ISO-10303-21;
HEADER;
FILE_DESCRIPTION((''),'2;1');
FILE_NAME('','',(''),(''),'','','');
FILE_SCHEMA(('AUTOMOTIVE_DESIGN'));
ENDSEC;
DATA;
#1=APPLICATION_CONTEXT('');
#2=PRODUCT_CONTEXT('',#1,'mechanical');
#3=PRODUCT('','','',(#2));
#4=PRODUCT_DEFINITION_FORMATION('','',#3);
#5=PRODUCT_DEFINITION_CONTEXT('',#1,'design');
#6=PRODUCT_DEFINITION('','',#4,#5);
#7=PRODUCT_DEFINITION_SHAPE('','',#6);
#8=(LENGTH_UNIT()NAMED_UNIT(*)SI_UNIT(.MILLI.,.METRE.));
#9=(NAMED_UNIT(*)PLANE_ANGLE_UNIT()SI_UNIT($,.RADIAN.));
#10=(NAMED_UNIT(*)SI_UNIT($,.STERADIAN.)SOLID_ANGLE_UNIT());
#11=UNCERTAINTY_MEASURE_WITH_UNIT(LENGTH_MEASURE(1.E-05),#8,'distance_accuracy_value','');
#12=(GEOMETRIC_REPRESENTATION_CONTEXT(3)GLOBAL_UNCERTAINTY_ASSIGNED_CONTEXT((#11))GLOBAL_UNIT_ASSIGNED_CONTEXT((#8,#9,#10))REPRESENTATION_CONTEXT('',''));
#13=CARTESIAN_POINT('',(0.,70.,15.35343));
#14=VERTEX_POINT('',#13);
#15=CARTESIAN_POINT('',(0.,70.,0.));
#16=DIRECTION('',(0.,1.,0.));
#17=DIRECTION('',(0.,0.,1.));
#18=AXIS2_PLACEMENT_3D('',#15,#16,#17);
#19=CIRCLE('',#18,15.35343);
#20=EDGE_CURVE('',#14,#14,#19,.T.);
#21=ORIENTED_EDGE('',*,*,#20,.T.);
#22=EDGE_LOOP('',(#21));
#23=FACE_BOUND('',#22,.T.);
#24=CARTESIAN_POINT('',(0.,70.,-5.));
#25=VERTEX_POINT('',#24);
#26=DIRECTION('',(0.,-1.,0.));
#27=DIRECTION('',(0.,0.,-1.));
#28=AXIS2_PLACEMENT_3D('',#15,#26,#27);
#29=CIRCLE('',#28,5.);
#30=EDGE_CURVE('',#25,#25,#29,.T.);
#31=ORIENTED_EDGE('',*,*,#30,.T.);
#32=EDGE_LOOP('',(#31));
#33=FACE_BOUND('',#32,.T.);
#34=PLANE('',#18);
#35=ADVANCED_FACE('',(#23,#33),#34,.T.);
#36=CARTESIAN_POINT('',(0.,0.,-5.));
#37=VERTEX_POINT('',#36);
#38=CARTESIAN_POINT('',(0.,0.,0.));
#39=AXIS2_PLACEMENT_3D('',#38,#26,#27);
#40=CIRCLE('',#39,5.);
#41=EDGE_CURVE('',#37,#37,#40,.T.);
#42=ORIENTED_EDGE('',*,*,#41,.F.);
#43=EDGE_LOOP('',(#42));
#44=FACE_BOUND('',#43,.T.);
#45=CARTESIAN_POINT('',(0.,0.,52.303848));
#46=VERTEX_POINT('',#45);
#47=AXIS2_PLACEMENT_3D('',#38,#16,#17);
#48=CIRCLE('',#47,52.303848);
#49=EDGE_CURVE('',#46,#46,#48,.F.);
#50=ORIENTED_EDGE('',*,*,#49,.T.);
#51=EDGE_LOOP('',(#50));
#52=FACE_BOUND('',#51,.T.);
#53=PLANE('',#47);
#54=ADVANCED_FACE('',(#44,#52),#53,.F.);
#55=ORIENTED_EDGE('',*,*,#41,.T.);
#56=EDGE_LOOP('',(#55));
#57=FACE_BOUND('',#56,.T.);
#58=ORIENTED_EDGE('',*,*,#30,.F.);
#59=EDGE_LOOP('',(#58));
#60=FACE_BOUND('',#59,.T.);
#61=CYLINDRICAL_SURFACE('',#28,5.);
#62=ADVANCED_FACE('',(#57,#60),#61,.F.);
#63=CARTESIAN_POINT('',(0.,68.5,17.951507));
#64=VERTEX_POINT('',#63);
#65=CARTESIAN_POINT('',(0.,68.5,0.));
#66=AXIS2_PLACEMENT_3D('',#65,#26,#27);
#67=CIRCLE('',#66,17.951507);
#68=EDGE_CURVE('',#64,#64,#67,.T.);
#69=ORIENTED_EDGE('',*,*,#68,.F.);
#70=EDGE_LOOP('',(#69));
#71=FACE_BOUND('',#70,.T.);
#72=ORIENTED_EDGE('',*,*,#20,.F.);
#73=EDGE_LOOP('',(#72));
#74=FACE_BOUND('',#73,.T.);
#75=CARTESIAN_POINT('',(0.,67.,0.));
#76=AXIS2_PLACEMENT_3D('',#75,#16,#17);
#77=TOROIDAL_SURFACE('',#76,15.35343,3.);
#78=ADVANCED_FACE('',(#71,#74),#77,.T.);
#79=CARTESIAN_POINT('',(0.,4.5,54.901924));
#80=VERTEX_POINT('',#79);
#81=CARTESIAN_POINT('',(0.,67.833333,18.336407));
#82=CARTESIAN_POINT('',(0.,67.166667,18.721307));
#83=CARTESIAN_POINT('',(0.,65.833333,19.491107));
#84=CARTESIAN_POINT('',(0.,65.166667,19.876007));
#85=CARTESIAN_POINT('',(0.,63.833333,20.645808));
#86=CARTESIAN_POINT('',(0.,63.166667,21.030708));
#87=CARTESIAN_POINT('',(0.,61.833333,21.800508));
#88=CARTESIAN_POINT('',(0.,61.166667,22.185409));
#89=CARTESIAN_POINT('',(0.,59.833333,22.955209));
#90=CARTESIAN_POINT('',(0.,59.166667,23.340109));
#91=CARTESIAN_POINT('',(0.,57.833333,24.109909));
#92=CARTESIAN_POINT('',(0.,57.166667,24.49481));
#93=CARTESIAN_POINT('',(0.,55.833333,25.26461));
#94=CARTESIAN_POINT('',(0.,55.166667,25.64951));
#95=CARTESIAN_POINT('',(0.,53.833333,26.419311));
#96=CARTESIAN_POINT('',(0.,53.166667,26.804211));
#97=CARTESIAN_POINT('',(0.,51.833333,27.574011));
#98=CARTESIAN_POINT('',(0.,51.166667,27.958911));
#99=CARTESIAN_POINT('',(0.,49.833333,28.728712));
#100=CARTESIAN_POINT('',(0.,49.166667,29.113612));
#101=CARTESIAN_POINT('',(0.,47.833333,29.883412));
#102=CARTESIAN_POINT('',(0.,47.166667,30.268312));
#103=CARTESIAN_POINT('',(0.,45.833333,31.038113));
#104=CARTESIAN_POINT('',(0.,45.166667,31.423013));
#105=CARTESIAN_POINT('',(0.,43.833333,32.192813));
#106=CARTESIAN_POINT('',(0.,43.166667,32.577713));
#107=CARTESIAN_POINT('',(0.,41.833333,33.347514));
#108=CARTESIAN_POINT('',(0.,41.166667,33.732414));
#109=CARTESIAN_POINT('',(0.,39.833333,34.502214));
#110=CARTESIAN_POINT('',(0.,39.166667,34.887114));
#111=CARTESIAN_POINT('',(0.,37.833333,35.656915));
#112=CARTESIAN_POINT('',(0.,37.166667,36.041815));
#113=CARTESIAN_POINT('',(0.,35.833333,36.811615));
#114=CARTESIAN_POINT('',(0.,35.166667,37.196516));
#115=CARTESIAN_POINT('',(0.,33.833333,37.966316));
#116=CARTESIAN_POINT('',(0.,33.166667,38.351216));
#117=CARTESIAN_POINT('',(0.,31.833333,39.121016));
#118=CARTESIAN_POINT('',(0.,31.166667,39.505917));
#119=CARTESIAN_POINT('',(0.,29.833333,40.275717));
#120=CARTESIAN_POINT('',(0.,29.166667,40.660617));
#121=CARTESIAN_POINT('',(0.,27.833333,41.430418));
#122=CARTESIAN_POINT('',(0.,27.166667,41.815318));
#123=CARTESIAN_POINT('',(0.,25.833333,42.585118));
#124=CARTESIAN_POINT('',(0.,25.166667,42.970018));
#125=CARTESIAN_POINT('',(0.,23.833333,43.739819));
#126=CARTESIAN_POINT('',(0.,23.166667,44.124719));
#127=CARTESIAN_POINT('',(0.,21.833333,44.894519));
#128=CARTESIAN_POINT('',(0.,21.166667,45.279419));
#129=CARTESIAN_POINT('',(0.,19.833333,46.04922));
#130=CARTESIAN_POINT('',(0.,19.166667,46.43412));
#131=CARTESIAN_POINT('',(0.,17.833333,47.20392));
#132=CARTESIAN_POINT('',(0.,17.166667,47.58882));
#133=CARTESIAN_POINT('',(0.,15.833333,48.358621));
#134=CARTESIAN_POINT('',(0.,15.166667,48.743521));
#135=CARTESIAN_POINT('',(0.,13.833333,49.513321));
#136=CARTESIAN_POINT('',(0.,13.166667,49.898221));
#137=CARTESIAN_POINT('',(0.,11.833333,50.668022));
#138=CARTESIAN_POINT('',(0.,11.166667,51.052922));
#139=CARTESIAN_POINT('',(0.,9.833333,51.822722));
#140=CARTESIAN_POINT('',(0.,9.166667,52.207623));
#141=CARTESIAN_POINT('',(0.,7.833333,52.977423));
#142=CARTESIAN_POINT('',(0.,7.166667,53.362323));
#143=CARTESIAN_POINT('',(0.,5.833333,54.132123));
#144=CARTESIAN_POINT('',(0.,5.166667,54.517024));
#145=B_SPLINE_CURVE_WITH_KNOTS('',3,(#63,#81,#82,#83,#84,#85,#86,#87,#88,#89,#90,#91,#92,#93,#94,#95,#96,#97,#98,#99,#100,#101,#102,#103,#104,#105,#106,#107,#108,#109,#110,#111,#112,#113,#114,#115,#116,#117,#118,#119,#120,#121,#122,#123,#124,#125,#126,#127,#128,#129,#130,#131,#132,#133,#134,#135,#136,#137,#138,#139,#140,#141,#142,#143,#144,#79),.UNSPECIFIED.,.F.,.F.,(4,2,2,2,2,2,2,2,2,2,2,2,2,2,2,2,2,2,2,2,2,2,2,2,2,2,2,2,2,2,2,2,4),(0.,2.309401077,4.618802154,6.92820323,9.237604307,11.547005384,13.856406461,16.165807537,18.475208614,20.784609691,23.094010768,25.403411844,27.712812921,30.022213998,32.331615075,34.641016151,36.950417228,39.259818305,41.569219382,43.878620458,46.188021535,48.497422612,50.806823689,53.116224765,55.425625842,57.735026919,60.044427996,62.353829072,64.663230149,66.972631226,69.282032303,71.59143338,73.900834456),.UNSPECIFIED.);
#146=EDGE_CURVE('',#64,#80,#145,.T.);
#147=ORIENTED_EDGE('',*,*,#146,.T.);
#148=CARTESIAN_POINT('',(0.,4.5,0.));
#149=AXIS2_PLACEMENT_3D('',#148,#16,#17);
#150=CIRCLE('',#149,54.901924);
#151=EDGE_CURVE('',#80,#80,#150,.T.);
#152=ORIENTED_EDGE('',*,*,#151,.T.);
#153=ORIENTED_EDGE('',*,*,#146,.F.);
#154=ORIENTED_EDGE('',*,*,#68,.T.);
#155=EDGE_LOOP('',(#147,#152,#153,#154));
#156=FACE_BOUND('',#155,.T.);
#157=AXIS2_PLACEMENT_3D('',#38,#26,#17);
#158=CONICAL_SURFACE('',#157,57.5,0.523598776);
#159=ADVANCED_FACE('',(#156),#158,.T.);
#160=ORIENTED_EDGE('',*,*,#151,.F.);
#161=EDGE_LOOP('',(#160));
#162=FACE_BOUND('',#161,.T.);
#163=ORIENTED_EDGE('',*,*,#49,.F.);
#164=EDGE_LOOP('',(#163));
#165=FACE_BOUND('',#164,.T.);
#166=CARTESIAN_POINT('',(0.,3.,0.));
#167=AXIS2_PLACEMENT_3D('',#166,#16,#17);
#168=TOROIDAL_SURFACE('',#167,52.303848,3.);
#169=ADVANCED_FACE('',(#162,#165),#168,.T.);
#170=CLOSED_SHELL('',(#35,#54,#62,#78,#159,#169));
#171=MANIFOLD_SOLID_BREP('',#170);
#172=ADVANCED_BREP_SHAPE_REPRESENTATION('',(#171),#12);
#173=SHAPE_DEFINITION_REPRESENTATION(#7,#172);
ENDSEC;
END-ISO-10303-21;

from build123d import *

# Parameters (mm, degrees)
SKETCH1_R           = 57.5
BOSS_EXTRUDE1_DEPTH = 70
BOSS_EXTRUDE1_TAPER = 30
SKETCH3_R           = 5
CUT_EXTRUDE2_DEPTH  = 108.296318842
FILLET1_R           = 3


with BuildPart() as part:
    # Sketch1 → Boss-Extrude1 (new body)
    with BuildSketch(Plane(origin=(0, 0, 0), x_dir=(1, 0, 0), z_dir=(0, 1, 0))):
        Circle(SKETCH1_R)
    extrude(amount=BOSS_EXTRUDE1_DEPTH, taper=BOSS_EXTRUDE1_TAPER)

    # Sketch3 → Cut-Extrude2 (cut, through all)
    with BuildSketch(Plane.XZ):
        with Locations(Location((0, 0, 0), (0, 0, 270))):
            Circle(SKETCH3_R)
    extrude(amount=-CUT_EXTRUDE2_DEPTH, mode=Mode.SUBTRACT)

    # Fillet1
    fillet1_edges = [part.edges().sort_by_distance(p)[0] for p in [
        (-57.5, 0, 0),
        (-17.085481157, 70, 0),
    ]]
    fillet(fillet1_edges, radius=FILLET1_R)


solid = part.part
